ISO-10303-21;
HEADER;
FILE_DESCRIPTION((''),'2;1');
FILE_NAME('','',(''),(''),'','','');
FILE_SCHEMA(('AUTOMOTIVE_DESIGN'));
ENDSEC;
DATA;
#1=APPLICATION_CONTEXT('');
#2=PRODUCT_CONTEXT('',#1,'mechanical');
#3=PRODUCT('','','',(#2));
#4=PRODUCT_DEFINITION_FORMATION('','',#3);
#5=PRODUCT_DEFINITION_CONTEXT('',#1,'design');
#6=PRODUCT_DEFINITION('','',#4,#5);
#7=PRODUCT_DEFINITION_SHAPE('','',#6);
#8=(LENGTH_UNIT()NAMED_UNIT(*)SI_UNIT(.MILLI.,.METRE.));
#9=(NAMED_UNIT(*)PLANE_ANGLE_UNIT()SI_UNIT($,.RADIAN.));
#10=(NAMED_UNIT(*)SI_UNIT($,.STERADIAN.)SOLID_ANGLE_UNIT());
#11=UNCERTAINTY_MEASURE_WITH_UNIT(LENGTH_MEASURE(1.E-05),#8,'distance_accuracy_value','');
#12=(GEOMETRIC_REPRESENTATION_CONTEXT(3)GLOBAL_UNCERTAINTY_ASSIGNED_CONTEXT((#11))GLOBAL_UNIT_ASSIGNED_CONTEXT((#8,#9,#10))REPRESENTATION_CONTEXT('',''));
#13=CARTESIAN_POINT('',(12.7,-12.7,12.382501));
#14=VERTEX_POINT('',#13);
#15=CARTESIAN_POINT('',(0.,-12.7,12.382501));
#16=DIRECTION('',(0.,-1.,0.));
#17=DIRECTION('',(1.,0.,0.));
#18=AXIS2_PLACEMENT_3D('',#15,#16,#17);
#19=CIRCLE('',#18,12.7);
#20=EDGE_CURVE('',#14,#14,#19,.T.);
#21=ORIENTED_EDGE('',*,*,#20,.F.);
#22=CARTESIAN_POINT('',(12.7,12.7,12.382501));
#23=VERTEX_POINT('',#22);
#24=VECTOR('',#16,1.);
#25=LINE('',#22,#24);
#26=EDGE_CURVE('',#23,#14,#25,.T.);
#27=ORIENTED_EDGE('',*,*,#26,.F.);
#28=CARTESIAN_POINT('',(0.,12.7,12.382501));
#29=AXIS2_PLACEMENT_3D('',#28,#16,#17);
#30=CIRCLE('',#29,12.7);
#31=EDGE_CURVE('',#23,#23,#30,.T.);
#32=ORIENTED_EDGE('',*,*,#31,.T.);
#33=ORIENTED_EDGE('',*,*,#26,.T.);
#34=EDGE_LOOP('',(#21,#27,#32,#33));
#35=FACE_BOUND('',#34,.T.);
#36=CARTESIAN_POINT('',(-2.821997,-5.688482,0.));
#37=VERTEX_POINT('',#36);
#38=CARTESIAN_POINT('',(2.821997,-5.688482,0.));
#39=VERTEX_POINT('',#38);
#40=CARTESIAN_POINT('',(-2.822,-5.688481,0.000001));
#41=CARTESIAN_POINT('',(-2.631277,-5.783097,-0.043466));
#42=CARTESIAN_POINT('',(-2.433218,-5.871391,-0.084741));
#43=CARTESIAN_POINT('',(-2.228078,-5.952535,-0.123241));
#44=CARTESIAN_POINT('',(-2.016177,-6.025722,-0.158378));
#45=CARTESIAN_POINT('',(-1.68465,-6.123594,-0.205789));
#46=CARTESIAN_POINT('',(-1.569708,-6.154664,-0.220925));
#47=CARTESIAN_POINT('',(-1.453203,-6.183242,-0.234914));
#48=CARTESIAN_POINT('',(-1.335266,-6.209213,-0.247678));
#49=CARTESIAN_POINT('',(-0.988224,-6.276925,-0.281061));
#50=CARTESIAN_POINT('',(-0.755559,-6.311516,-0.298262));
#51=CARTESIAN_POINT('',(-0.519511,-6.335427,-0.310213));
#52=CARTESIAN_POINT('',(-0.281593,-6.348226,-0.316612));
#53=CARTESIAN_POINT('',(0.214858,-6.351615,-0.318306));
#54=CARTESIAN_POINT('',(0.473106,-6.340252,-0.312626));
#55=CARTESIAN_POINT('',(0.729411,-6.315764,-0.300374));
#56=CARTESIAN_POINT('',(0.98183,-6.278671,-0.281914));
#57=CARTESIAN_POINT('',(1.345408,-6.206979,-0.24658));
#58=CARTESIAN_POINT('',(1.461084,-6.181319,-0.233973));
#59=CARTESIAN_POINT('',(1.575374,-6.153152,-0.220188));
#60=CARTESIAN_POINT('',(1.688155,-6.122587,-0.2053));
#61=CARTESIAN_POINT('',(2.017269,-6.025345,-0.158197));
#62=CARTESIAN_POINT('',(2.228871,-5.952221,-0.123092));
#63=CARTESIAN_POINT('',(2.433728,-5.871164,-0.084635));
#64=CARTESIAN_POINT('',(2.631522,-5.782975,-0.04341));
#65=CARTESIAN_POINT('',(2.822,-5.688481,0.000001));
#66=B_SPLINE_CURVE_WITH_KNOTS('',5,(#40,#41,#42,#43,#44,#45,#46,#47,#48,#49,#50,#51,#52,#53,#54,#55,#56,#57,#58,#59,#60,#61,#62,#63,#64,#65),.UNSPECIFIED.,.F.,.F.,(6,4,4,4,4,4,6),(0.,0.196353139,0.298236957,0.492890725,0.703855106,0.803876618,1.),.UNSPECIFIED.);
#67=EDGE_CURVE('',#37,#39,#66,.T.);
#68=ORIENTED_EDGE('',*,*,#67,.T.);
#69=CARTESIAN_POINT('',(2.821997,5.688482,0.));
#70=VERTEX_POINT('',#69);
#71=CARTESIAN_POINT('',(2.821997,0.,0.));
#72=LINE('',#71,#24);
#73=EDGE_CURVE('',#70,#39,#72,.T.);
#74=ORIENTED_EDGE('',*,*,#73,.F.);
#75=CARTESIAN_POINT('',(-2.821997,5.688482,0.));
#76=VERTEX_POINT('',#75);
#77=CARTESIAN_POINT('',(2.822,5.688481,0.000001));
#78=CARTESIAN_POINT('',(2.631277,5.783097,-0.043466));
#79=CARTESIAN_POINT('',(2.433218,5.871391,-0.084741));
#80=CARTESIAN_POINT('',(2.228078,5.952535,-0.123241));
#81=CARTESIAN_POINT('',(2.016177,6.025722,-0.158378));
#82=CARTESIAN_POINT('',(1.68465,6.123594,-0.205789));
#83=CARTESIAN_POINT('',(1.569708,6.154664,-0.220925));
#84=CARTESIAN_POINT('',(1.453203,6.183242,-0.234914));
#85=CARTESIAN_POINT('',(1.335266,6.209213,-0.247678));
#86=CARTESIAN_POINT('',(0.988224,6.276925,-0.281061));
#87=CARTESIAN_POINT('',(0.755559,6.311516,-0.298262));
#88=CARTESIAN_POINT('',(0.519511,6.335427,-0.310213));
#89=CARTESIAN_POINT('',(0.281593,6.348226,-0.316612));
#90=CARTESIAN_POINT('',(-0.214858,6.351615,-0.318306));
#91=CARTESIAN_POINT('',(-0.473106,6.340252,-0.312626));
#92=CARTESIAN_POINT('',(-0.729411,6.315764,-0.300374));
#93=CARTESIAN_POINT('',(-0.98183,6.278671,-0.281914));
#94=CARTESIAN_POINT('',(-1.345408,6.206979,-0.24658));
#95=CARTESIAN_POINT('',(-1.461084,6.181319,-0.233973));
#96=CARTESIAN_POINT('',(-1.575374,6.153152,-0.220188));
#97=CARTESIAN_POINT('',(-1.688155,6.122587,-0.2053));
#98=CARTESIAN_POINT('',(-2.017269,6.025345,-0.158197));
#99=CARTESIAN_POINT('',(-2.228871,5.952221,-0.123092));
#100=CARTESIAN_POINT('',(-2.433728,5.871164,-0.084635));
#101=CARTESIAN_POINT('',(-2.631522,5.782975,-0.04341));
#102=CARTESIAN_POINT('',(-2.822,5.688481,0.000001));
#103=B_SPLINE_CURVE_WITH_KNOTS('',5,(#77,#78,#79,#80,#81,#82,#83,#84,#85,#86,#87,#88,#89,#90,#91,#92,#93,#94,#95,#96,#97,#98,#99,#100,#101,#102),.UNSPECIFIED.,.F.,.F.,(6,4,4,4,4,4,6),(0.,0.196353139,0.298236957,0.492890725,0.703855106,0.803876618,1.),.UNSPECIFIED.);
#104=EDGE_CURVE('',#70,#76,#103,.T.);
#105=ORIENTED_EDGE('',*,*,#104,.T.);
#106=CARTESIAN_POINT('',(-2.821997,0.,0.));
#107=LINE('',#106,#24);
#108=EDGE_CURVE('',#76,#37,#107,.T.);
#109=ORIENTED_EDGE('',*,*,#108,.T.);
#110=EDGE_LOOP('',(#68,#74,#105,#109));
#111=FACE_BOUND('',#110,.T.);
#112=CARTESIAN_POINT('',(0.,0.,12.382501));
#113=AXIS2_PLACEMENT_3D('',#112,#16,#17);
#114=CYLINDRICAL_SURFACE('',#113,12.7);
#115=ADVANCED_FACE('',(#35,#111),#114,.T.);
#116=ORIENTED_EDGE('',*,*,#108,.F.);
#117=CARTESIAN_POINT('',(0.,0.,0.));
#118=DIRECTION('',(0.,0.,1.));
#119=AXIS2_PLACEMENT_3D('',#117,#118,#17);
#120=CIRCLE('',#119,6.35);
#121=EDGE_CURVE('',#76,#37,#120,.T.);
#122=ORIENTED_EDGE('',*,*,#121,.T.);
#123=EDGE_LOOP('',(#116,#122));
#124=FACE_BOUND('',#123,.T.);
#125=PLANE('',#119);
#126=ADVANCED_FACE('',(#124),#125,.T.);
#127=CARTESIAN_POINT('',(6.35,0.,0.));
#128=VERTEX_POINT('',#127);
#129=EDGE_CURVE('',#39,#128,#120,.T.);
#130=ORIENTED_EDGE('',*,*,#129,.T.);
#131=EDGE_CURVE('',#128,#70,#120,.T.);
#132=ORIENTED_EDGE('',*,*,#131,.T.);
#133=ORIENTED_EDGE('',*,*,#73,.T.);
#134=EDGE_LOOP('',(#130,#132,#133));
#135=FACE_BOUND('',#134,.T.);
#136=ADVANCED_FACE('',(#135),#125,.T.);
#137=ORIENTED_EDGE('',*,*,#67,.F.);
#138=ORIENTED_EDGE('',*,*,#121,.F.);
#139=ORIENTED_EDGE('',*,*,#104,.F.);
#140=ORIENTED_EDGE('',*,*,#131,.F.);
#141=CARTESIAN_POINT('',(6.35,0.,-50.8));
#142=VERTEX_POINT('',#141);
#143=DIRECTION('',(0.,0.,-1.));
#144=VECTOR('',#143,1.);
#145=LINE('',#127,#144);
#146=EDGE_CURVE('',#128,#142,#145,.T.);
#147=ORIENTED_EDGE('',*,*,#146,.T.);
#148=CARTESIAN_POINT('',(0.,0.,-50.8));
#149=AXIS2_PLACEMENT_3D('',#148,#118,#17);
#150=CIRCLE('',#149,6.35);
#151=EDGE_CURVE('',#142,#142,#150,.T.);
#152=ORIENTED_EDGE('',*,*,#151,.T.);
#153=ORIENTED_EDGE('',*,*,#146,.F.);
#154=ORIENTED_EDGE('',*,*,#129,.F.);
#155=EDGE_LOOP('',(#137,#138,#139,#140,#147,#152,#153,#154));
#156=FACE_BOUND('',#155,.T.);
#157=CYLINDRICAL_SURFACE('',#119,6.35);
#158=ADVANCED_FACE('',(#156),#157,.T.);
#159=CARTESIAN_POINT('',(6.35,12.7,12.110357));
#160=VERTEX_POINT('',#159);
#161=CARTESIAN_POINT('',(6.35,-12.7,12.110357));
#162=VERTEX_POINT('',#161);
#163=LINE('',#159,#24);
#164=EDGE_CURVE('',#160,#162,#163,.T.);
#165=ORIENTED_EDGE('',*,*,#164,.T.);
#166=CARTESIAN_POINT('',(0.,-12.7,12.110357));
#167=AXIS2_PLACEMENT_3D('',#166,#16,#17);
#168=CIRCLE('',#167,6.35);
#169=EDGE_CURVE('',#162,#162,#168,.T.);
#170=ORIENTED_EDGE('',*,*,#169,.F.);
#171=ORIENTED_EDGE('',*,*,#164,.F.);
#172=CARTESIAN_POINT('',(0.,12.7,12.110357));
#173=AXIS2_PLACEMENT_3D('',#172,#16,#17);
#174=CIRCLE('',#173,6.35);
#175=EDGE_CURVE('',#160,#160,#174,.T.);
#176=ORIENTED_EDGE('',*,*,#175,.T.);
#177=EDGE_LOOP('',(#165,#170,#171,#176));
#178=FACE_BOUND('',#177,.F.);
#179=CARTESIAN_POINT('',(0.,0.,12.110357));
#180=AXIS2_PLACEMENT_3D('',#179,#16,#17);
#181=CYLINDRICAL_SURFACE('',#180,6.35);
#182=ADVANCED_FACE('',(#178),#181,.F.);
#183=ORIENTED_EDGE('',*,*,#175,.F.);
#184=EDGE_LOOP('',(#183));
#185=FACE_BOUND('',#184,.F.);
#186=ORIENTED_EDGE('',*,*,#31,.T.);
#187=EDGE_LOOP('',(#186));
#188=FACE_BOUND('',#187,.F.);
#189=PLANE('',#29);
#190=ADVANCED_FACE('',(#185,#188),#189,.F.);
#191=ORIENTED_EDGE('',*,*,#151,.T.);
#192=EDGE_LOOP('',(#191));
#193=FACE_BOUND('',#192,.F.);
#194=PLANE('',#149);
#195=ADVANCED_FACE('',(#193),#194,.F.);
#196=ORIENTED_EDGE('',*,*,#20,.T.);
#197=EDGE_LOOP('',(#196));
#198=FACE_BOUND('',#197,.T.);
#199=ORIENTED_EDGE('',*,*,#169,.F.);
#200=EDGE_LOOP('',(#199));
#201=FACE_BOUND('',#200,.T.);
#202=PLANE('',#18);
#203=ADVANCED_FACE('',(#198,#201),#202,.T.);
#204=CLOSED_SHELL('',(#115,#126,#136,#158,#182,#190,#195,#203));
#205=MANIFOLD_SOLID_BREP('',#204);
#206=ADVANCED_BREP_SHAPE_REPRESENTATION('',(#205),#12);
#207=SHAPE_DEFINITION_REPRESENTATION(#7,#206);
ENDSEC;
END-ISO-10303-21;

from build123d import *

# Parameters (mm, degrees)
F0_R     = 6.35
F1_DEPTH = 50.8
F2_R     = 12.7
F3_DEPTH = 12.7
F4_R     = 6.35
F5_DEPTH = 12.7


with BuildPart() as f1:
    # F0 (on Top) → F1 (new body)
    with BuildSketch(Plane.XY):
        Circle(F0_R)
    extrude(amount=-F1_DEPTH)

    # F2 (on Front) → F3 (join, symmetric)
    with BuildSketch(Plane.XZ):
        with Locations((0, 12.382501)):
            Circle(F2_R)
    extrude(amount=F3_DEPTH, both=True)

    # F4 (on Front) → F5 (cut, symmetric)
    with BuildSketch(Plane.XZ):
        with Locations((0, 12.110357)):
            Circle(F4_R)
    extrude(amount=F5_DEPTH, both=True, mode=Mode.SUBTRACT)


solid = f1.part
